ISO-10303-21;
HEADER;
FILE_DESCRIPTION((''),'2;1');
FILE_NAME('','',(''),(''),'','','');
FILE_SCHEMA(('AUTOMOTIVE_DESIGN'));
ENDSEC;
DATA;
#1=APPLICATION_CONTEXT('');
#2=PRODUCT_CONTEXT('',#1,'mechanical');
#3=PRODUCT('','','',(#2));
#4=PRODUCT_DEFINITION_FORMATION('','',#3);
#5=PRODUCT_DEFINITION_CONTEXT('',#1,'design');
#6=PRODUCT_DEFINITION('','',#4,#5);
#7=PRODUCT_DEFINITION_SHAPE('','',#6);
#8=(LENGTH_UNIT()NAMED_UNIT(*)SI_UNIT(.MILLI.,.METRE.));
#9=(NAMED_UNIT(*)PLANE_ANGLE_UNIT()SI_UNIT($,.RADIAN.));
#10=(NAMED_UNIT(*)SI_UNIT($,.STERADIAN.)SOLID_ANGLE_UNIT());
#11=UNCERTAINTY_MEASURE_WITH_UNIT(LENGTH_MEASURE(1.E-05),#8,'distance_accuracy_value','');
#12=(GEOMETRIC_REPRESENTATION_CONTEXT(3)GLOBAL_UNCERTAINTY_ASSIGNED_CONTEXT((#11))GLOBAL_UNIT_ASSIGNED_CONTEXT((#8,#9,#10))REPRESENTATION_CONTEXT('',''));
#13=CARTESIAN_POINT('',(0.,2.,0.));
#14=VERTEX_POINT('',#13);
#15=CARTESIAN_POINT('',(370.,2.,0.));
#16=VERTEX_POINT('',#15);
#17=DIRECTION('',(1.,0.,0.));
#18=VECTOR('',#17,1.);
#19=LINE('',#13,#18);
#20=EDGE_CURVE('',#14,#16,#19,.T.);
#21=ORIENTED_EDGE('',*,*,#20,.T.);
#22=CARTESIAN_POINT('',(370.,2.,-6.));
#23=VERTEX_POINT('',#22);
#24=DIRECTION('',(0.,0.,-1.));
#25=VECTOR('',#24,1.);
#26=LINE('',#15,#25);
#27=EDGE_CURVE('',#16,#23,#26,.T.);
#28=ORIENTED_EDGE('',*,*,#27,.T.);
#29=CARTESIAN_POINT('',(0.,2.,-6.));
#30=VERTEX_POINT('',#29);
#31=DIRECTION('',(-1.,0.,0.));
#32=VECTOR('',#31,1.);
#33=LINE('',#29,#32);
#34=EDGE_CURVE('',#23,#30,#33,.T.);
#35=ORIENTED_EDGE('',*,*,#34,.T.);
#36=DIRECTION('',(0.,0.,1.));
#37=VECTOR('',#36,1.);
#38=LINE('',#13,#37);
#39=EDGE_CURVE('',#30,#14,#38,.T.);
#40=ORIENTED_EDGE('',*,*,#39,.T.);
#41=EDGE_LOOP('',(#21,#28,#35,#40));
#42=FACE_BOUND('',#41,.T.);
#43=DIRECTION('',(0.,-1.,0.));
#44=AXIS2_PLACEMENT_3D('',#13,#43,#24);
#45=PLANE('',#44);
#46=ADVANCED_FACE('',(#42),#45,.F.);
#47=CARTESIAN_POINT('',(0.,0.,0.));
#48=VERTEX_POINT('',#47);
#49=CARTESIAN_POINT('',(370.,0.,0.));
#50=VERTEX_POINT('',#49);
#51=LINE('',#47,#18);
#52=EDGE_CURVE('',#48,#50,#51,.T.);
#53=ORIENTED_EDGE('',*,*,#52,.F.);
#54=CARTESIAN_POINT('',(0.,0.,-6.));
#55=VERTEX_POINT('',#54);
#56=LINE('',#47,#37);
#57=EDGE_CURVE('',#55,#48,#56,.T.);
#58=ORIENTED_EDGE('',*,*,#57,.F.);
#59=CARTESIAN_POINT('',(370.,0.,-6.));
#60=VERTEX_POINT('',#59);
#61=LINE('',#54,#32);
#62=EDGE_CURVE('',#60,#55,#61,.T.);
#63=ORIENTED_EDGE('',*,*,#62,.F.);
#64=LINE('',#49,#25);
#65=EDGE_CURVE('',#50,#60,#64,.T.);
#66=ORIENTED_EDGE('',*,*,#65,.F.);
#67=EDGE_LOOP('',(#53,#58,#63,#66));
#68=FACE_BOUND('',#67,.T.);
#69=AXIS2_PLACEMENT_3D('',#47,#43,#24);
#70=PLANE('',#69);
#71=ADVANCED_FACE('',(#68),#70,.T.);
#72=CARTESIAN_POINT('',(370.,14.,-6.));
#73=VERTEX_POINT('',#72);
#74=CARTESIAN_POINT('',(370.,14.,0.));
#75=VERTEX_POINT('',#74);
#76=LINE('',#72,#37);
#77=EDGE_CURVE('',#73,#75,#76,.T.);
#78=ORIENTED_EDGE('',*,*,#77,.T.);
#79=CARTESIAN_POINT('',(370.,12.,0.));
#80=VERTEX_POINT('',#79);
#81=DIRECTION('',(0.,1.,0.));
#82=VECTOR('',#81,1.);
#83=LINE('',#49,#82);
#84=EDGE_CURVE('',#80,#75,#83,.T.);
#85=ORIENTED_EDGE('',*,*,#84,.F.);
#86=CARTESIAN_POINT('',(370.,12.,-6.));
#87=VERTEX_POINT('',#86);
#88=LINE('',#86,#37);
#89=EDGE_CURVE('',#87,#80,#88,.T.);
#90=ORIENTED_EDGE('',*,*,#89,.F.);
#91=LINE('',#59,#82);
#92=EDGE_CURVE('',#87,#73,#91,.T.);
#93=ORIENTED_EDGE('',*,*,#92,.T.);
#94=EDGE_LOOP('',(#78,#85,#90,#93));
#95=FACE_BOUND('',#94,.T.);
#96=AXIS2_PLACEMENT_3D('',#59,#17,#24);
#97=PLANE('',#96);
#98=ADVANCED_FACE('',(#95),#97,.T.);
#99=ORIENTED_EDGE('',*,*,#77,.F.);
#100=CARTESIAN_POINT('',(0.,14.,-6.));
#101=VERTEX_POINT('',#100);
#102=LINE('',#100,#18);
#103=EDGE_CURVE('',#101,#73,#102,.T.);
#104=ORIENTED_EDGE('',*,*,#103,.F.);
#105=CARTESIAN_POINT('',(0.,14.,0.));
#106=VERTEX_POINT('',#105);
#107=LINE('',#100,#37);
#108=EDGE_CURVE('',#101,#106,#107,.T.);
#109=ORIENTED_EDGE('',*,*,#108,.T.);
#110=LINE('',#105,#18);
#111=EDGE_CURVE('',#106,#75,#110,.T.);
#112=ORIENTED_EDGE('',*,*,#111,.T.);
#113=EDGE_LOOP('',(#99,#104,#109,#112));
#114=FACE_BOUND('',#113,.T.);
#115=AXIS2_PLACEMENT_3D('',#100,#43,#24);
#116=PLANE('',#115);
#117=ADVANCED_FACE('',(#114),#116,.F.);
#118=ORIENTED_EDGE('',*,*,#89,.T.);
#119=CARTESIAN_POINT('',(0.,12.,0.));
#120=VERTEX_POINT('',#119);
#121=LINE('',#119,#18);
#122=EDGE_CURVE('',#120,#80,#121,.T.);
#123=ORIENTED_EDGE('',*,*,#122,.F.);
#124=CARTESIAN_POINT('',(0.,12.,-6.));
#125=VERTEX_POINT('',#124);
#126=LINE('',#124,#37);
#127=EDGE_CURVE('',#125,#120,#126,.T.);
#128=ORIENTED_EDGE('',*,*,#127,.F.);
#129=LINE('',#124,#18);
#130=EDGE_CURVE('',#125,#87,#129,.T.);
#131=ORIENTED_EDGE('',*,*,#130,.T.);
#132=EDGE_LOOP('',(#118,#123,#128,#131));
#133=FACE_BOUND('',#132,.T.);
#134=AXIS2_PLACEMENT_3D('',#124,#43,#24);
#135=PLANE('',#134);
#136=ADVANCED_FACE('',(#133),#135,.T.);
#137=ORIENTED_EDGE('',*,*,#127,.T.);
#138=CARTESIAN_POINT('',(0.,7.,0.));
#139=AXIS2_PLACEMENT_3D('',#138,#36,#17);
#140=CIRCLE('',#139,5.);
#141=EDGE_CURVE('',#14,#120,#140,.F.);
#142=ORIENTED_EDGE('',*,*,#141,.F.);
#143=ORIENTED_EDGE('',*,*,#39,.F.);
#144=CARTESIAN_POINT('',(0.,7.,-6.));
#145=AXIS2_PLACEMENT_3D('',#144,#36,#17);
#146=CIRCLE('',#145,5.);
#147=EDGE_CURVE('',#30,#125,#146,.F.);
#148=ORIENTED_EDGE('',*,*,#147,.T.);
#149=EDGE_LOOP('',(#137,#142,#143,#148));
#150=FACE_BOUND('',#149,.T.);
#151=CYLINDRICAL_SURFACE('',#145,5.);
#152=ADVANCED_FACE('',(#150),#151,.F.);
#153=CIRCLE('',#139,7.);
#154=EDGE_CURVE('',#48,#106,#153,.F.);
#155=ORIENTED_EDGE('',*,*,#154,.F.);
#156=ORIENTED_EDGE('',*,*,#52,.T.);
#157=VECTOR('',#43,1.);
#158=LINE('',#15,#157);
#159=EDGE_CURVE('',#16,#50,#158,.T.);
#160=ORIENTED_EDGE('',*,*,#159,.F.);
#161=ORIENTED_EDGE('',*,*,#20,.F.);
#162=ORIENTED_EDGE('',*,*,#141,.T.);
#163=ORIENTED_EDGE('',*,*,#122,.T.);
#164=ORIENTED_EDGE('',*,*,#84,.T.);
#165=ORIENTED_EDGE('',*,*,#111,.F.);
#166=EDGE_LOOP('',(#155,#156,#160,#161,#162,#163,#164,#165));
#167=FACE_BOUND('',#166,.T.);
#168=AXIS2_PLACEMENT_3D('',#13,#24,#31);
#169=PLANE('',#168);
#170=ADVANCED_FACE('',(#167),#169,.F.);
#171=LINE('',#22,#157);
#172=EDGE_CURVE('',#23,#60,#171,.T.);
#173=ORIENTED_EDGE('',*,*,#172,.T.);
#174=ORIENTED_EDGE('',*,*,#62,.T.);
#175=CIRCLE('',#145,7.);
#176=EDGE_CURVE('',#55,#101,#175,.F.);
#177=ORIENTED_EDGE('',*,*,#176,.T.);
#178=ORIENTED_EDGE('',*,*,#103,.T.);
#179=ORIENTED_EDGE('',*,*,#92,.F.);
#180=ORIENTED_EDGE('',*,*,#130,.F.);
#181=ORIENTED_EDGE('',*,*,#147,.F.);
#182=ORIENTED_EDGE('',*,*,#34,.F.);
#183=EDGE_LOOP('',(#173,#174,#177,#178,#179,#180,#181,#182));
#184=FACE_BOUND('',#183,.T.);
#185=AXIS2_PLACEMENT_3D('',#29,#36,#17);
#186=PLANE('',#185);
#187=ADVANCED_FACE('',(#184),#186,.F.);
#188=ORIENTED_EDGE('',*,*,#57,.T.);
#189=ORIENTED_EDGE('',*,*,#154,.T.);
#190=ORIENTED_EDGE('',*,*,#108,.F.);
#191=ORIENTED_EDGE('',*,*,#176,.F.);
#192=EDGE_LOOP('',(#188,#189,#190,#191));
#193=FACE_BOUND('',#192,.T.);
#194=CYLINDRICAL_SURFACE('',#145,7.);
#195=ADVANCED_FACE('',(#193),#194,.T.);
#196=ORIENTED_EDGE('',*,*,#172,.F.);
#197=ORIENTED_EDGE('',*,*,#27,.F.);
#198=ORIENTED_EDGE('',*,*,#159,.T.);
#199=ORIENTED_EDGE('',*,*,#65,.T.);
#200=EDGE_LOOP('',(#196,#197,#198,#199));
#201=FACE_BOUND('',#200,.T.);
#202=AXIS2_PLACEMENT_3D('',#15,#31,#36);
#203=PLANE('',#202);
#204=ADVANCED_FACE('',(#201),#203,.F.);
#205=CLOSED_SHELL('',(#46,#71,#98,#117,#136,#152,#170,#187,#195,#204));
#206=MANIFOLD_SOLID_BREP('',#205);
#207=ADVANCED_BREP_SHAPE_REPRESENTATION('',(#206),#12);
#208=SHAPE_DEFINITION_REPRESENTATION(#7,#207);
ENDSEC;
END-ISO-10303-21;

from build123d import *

# Parameters (mm, degrees)
SKETCH_1_W      = 370
SKETCH_1_H      = 6
EXTRUDE_1_DEPTH = 2
SKETCH_2_W      = 370
SKETCH_2_H      = 2
EXTRUDE_2_DEPTH = 6


with BuildPart() as part:
    # Эскиз1 → Бобышка-Вытянуть1 (new body)
    with BuildSketch(Plane(origin=(0, 0, 0), x_dir=(1, 0, 0), z_dir=(0, 1, 0))):
        with Locations((185, 3)):
            Rectangle(SKETCH_1_W, SKETCH_1_H)
    extrude(amount=EXTRUDE_1_DEPTH)

    # Эскиз2 → Бобышка-Вытянуть2 (add)
    with BuildSketch(Plane.XY):
        with BuildLine():
            ThreePointArc((0, 2), (-5, 7), (0, 12))
            Line((0, 12), (0, 14))
            ThreePointArc((0, 14), (-7, 7), (0, 0))
            Line((0, 0), (0, 2))
        make_face()
        with Locations((185, 13)):
            Rectangle(SKETCH_2_W, SKETCH_2_H)
    extrude(amount=-EXTRUDE_2_DEPTH)


solid = part.part
